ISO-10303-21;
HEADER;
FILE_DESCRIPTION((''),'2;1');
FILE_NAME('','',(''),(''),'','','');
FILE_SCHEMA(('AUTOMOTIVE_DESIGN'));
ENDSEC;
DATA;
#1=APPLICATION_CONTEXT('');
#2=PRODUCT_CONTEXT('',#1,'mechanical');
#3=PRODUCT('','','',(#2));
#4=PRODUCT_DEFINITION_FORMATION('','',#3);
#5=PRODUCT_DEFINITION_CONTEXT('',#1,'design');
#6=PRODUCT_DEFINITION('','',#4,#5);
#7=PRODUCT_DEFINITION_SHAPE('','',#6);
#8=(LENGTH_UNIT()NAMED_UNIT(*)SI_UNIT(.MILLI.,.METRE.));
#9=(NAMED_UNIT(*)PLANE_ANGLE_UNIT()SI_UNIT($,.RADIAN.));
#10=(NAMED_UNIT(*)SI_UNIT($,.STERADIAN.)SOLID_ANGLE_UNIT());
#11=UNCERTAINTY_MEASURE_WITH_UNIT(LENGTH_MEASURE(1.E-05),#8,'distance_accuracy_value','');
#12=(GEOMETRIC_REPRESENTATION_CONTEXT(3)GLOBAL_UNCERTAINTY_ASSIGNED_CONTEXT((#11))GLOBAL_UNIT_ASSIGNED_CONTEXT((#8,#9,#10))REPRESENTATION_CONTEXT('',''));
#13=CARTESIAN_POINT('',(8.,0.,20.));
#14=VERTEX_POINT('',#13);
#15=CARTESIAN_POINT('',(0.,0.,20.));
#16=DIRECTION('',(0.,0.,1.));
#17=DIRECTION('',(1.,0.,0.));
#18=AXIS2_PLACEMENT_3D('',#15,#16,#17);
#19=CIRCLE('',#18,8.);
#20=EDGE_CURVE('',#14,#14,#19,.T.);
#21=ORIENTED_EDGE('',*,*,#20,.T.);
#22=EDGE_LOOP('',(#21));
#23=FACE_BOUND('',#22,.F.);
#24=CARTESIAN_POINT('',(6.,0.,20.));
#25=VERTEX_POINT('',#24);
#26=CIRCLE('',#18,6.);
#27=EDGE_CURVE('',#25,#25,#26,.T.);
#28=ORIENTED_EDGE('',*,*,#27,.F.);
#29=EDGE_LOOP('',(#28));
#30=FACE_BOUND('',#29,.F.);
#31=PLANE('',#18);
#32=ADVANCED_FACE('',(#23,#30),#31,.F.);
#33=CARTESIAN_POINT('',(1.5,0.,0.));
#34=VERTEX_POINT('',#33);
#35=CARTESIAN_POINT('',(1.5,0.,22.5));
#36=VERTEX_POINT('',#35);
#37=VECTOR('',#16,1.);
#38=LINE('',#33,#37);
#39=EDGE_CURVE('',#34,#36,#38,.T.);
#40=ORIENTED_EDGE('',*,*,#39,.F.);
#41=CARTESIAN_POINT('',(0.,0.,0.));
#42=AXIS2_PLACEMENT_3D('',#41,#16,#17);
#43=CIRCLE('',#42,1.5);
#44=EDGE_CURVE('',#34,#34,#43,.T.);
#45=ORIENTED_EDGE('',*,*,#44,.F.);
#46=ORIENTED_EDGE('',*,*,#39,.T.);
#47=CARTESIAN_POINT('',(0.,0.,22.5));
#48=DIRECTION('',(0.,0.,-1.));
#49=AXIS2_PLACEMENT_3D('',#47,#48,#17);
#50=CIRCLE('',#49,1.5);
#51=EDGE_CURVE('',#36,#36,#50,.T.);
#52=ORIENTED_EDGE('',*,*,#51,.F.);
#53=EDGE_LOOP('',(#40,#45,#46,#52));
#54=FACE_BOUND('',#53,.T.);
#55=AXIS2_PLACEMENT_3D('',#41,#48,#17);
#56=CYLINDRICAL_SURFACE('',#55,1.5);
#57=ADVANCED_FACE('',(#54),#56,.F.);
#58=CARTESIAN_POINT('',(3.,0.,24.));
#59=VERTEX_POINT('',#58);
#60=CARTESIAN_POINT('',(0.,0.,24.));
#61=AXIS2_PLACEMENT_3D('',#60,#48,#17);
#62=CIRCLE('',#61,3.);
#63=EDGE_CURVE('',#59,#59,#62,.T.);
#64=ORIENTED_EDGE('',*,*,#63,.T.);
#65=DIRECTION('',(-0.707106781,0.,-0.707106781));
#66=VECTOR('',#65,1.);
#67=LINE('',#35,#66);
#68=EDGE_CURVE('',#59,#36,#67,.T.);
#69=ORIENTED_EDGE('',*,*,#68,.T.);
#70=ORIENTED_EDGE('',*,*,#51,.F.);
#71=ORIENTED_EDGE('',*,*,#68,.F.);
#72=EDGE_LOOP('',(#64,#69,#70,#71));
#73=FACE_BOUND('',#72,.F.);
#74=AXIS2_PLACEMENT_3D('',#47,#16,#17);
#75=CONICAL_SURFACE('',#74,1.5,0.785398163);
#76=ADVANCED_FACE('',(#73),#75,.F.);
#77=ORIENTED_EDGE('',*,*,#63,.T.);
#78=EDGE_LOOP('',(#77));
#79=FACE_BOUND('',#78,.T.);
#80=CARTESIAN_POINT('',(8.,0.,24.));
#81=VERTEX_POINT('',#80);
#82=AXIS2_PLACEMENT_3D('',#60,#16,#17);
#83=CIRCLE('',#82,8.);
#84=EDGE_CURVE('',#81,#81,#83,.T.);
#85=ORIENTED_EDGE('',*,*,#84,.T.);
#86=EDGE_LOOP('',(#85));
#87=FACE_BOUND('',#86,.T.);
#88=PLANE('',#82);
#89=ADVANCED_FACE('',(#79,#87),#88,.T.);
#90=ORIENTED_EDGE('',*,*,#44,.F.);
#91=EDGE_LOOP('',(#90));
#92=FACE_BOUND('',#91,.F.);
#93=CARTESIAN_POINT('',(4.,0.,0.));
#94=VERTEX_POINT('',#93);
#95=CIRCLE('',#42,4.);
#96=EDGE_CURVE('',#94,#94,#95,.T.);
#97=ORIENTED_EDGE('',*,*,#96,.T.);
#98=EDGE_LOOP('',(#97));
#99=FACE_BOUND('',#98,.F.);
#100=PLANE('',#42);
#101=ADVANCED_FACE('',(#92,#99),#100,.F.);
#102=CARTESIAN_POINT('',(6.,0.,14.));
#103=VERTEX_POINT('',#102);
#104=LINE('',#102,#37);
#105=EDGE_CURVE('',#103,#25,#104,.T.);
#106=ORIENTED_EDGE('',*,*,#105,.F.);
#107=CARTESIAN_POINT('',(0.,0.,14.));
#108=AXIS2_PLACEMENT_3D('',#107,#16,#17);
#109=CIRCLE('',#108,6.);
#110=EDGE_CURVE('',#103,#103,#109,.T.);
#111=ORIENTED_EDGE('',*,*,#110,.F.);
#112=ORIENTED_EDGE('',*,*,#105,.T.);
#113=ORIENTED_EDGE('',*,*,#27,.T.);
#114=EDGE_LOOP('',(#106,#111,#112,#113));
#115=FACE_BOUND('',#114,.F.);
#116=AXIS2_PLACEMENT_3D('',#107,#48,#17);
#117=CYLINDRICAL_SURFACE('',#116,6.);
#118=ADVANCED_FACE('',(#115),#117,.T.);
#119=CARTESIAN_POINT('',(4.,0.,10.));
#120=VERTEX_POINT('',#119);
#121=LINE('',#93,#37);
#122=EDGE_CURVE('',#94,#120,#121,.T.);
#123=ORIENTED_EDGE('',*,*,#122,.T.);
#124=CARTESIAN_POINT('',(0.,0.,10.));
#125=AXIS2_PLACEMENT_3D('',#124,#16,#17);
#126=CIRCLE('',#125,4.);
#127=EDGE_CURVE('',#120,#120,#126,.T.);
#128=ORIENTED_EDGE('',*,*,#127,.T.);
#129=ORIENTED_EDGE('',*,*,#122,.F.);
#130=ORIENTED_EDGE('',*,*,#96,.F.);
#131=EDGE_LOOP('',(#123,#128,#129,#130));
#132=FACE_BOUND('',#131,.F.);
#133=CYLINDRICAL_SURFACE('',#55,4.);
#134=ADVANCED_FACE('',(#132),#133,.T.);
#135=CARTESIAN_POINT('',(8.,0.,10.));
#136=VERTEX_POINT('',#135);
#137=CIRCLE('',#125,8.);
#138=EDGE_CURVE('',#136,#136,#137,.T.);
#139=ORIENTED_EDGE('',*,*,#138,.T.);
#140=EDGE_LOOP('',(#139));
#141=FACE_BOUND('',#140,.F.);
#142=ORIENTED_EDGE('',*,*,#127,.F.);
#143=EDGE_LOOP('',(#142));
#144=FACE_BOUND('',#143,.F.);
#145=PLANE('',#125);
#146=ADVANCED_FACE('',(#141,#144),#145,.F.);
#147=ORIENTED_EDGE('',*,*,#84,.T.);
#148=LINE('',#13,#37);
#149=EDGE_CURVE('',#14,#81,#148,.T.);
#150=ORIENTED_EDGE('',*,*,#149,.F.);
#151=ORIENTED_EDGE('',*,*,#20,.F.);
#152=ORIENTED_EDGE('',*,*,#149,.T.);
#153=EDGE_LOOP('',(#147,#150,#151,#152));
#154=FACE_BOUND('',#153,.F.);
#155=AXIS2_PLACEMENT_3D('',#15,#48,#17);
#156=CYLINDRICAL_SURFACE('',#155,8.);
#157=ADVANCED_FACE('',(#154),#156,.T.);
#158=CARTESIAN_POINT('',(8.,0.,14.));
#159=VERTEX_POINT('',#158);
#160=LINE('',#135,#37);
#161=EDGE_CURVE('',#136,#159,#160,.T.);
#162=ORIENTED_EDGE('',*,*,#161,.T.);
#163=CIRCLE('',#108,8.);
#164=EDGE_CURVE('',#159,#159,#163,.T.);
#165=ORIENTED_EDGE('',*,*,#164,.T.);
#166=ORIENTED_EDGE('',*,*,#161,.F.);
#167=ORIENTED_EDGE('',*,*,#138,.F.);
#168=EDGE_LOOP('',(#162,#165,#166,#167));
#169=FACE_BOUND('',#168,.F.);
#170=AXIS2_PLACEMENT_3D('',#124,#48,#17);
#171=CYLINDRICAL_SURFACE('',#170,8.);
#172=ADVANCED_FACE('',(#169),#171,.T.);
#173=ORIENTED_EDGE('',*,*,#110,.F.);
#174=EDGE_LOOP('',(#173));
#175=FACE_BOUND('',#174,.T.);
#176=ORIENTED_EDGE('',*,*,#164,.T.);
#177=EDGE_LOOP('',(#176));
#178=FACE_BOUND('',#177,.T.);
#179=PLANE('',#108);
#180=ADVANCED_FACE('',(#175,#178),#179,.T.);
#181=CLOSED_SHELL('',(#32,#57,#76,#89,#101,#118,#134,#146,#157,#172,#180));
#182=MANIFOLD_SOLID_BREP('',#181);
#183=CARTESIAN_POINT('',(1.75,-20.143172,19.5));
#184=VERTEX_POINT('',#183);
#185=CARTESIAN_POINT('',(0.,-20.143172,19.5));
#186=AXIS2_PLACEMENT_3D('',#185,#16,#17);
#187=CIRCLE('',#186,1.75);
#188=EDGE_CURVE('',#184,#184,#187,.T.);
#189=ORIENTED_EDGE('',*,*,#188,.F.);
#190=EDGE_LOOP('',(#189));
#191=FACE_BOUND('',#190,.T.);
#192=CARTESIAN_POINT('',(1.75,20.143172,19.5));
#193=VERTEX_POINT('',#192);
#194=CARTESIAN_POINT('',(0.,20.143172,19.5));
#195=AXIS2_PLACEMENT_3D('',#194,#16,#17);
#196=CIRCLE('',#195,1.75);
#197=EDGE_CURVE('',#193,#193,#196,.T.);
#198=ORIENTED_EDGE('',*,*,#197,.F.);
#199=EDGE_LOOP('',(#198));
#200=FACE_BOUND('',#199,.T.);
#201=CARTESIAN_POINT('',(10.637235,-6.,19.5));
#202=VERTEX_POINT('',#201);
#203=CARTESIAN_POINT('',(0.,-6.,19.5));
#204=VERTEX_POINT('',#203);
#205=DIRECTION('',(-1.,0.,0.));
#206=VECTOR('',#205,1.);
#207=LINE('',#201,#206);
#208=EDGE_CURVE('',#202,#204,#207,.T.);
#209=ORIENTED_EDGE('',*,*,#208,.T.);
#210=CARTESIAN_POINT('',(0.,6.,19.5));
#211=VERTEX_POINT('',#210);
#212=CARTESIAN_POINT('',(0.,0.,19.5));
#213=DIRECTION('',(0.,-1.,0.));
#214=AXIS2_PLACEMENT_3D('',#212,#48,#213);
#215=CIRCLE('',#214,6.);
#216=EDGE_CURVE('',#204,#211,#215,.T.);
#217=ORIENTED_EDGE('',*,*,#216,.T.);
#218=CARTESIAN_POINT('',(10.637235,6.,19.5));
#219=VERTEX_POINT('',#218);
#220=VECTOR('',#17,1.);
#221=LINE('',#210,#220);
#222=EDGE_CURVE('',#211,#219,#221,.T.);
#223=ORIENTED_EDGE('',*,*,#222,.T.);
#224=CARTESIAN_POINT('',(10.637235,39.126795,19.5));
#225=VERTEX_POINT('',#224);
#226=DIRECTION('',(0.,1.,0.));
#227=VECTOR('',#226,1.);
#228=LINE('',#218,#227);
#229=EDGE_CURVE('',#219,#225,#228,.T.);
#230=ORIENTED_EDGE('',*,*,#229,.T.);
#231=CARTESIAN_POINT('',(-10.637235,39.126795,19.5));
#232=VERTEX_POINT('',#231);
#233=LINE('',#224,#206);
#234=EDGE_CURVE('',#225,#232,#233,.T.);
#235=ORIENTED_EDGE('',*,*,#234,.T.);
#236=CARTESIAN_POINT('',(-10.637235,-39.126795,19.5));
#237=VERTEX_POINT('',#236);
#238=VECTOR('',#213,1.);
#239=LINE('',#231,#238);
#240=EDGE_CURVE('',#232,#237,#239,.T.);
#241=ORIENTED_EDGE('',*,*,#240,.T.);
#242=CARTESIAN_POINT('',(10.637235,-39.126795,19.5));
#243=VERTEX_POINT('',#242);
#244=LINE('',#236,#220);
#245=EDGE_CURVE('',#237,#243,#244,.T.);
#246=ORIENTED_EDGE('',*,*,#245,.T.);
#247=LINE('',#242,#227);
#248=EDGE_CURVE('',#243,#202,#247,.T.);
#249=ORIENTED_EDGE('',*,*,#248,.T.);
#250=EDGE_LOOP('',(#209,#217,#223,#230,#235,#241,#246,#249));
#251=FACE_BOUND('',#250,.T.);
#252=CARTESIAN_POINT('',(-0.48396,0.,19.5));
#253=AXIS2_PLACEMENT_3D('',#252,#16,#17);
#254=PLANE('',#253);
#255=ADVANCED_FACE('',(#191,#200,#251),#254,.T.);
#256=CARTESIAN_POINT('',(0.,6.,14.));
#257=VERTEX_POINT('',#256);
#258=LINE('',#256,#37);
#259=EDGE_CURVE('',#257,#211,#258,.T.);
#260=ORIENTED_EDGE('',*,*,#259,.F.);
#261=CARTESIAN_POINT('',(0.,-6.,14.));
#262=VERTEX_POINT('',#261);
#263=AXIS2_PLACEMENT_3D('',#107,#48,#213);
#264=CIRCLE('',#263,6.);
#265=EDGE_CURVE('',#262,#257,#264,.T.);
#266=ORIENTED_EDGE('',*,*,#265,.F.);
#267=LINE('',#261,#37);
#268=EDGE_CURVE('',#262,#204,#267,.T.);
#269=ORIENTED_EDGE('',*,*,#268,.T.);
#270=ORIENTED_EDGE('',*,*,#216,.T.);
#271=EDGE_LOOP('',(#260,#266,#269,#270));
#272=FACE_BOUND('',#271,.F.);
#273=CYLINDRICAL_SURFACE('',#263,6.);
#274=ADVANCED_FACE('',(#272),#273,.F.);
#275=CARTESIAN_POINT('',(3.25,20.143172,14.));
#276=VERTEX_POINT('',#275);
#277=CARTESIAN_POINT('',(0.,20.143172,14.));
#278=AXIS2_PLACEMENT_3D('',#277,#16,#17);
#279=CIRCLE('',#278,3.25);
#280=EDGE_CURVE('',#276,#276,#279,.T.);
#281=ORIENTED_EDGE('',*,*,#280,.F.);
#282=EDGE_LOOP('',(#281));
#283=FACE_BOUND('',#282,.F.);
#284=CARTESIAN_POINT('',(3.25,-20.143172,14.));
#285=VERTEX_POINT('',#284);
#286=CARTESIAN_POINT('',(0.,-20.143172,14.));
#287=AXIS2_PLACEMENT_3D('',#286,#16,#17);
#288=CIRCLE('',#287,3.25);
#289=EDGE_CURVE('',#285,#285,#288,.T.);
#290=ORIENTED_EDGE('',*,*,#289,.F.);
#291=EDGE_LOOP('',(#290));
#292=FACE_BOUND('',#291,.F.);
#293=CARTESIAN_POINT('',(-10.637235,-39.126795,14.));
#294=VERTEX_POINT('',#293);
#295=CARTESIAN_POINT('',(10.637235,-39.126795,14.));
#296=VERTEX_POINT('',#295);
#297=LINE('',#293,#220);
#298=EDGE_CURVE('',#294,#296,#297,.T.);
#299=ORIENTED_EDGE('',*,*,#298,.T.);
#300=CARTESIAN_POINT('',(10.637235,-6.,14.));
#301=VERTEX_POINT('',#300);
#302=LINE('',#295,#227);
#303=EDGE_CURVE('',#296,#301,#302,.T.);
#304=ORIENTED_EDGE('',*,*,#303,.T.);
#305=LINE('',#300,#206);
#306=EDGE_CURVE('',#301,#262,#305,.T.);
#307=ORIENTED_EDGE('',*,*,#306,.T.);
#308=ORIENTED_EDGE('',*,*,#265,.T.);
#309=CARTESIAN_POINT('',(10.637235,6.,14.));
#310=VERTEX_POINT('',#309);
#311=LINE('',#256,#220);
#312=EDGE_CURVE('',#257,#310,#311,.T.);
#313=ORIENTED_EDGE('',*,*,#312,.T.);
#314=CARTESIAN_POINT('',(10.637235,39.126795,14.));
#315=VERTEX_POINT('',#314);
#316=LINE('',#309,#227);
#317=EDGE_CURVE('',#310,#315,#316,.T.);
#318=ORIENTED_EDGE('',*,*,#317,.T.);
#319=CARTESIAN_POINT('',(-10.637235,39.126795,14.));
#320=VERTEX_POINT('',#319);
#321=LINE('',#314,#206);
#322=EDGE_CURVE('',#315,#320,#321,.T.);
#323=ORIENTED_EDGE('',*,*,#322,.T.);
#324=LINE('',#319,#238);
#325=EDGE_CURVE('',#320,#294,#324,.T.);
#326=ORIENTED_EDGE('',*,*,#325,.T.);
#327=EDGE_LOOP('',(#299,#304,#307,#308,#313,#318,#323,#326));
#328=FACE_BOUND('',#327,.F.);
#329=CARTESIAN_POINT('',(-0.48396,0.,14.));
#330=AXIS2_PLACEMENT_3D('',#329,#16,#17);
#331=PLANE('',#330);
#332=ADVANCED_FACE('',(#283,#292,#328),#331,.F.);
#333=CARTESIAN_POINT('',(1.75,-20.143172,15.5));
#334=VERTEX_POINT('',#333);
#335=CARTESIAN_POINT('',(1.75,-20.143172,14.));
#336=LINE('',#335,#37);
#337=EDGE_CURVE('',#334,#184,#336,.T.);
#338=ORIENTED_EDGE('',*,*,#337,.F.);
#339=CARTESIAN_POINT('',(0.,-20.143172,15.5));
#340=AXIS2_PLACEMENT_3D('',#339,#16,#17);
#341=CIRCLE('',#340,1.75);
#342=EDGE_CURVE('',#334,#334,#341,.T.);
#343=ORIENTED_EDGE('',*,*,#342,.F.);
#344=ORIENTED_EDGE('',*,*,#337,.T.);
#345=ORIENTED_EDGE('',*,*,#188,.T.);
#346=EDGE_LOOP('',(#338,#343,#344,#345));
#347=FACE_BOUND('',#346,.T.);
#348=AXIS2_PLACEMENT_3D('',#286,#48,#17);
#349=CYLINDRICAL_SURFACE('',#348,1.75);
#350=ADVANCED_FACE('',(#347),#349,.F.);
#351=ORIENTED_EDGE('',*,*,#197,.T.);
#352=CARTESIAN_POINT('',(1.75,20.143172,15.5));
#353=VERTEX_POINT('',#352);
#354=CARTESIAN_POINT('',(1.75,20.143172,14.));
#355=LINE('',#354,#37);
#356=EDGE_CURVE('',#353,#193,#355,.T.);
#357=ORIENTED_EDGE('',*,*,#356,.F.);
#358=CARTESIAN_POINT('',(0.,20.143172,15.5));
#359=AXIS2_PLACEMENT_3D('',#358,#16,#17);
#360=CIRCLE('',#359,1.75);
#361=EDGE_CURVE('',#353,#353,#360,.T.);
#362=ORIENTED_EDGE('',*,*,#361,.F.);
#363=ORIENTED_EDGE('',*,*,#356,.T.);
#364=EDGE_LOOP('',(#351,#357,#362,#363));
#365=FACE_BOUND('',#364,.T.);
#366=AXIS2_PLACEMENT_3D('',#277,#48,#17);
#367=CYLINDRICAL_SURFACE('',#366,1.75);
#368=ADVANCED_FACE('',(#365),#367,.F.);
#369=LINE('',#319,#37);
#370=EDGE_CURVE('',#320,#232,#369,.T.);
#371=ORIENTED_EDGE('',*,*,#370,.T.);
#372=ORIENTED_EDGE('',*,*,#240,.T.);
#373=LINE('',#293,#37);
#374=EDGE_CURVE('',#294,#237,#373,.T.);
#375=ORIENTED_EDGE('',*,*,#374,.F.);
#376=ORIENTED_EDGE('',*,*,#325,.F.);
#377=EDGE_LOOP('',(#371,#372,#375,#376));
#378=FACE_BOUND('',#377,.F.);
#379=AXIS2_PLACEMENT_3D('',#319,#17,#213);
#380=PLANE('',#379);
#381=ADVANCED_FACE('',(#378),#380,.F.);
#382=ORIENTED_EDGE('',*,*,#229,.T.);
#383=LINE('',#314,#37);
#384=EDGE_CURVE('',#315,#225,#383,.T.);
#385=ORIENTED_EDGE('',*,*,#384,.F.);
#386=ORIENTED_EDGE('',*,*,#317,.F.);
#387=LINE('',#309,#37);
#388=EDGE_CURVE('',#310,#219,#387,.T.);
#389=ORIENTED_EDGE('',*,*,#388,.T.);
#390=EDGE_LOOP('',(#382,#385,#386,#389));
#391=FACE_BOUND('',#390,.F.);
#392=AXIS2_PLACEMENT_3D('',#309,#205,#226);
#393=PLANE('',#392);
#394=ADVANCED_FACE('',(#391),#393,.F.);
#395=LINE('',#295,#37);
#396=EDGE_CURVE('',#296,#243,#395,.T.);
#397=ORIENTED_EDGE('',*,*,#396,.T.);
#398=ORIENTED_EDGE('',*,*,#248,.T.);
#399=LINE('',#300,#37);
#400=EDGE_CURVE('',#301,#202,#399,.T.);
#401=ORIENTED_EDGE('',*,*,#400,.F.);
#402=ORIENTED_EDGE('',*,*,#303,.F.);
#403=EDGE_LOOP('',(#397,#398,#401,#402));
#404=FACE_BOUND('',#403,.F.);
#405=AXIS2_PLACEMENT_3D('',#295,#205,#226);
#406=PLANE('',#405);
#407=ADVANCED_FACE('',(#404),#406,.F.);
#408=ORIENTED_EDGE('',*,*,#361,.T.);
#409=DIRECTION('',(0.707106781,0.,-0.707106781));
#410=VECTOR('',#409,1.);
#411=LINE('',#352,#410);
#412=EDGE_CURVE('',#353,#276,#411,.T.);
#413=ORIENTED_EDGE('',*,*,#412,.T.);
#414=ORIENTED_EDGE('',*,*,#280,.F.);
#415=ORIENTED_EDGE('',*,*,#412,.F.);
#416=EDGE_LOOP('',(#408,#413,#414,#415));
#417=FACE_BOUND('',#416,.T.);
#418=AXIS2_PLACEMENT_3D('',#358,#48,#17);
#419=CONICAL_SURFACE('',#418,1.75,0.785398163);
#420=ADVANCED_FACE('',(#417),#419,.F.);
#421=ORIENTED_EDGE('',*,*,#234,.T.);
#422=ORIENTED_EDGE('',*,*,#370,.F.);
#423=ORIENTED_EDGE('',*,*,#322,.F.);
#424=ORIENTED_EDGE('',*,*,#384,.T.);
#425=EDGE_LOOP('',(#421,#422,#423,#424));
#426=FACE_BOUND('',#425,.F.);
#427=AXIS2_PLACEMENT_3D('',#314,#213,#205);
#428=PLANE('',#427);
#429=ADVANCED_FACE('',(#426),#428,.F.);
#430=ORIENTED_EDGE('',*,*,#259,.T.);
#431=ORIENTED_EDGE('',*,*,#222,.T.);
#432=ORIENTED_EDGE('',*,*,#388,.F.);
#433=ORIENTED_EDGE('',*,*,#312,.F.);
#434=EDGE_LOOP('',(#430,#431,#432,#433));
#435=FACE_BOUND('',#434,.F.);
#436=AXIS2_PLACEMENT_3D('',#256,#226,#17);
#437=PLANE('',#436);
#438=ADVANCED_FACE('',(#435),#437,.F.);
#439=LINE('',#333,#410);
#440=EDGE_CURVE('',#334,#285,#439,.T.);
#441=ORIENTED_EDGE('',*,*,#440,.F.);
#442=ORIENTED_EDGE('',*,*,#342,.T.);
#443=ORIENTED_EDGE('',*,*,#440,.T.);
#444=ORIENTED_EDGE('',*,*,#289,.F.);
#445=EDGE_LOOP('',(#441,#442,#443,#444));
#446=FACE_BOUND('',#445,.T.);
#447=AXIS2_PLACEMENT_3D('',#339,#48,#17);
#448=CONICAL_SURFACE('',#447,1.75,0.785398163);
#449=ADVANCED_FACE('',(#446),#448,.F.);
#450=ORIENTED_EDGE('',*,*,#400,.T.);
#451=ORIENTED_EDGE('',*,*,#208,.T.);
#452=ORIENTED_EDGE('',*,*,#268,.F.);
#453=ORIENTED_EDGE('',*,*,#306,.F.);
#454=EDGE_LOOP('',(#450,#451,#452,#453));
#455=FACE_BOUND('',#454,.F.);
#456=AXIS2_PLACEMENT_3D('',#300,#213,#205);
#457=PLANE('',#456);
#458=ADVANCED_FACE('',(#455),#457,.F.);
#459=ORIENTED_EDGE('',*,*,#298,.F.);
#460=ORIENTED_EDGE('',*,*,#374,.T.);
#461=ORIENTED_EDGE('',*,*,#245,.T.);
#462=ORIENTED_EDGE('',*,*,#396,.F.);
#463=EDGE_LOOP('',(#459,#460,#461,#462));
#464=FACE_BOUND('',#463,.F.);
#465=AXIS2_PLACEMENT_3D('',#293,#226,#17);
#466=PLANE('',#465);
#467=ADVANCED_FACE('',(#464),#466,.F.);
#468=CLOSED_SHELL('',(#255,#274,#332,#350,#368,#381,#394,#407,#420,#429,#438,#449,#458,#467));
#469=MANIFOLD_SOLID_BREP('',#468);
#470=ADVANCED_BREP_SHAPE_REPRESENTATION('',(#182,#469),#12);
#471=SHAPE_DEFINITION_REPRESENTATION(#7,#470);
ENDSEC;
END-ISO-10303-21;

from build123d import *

# Parameters (mm, degrees)
F0_R      = 4
F0_R_2    = 1.5
F1_DEPTH  = 10
F2_R      = 8
F3_DEPTH  = 4
F4_R      = 6
F5_DEPTH  = 6
F6_R      = 8
F7_DEPTH  = 4
F8_DEPTH  = 24.001
F9_SIZE   = 1.5
F10_R     = 1.75
F11_DEPTH = 5.5
F12_SIZE  = 1.5


with BuildPart() as f1:
    # F0 (on Top) → F1 (new body)
    with BuildSketch(Plane.XY):
        Circle(F0_R)
        Circle(F0_R_2, mode=Mode.SUBTRACT)
        Circle(F0_R_2)
    extrude(amount=F1_DEPTH)

    # F2 (on face) → F3 (join)
    with BuildSketch(Plane.XY.offset(10)):
        Circle(F2_R)
    extrude(amount=F3_DEPTH)

    # F4 (on face) → F5 (join)
    with BuildSketch(Plane.XY.offset(14)):
        Circle(F4_R)
    extrude(amount=F5_DEPTH)

    # F6 (on face) → F7 (join)
    with BuildSketch(Plane.XY.offset(20)):
        Circle(F6_R)
    extrude(amount=F7_DEPTH)

    # F0 (on Top) → F8 (cut, through all)
    with BuildSketch(Plane.XY):
        Circle(F0_R_2)
    extrude(amount=F8_DEPTH, mode=Mode.SUBTRACT)

    # F9
    f9_edges = [f1.edges().sort_by_distance(p)[0] for p in [
        (-1.5, 0, 24),
    ]]
    chamfer(f9_edges, length=F9_SIZE)


with BuildPart() as f11:
    # F10 (on face) → F11 (new body)
    with BuildSketch(Plane.XY.offset(14)):
        with BuildLine():
            Line((-10.6372348964, 39.1267947853), (-10.6372348964, -39.1267947853))
            Line((-10.6372348964, -39.1267947853), (10.6372348964, -39.1267947853))
            Line((10.6372348964, -39.1267947853), (10.6372348964, -6))
            Line((10.6372348964, -6), (5.2915026221, -6))
            ThreePointArc((5.2915026221, -6), (-8, 0), (5.2915026221, 6))
            Line((5.2915026221, 6), (10.6372348964, 6))
            Line((10.6372348964, 6), (10.6372348964, 39.1267947853))
            Line((10.6372348964, 39.1267947853), (-10.6372348964, 39.1267947853))
        make_face()
        with Locations((0, -20.1431717724)):
            Circle(F10_R, mode=Mode.SUBTRACT)
        with Locations((0, 20.1431717724)):
            Circle(F10_R, mode=Mode.SUBTRACT)
        with BuildLine():
            ThreePointArc((5.2915026221, 6), (-8, 0), (5.2915026221, -6))
            Line((5.2915026221, -6), (0, -6))
            ThreePointArc((0, -6), (-6, 0), (0, 6))
            Line((0, 6), (5.2915026221, 6))
        make_face()
    extrude(amount=F11_DEPTH)

    # F12
    f12_edges = [f11.edges().sort_by_distance(p)[0] for p in [
        (-1.75, 20.143172, 14),
        (-1.75, -20.143172, 14),
    ]]
    chamfer(f12_edges, length=F12_SIZE)


solid = Compound([f1.part, f11.part])
